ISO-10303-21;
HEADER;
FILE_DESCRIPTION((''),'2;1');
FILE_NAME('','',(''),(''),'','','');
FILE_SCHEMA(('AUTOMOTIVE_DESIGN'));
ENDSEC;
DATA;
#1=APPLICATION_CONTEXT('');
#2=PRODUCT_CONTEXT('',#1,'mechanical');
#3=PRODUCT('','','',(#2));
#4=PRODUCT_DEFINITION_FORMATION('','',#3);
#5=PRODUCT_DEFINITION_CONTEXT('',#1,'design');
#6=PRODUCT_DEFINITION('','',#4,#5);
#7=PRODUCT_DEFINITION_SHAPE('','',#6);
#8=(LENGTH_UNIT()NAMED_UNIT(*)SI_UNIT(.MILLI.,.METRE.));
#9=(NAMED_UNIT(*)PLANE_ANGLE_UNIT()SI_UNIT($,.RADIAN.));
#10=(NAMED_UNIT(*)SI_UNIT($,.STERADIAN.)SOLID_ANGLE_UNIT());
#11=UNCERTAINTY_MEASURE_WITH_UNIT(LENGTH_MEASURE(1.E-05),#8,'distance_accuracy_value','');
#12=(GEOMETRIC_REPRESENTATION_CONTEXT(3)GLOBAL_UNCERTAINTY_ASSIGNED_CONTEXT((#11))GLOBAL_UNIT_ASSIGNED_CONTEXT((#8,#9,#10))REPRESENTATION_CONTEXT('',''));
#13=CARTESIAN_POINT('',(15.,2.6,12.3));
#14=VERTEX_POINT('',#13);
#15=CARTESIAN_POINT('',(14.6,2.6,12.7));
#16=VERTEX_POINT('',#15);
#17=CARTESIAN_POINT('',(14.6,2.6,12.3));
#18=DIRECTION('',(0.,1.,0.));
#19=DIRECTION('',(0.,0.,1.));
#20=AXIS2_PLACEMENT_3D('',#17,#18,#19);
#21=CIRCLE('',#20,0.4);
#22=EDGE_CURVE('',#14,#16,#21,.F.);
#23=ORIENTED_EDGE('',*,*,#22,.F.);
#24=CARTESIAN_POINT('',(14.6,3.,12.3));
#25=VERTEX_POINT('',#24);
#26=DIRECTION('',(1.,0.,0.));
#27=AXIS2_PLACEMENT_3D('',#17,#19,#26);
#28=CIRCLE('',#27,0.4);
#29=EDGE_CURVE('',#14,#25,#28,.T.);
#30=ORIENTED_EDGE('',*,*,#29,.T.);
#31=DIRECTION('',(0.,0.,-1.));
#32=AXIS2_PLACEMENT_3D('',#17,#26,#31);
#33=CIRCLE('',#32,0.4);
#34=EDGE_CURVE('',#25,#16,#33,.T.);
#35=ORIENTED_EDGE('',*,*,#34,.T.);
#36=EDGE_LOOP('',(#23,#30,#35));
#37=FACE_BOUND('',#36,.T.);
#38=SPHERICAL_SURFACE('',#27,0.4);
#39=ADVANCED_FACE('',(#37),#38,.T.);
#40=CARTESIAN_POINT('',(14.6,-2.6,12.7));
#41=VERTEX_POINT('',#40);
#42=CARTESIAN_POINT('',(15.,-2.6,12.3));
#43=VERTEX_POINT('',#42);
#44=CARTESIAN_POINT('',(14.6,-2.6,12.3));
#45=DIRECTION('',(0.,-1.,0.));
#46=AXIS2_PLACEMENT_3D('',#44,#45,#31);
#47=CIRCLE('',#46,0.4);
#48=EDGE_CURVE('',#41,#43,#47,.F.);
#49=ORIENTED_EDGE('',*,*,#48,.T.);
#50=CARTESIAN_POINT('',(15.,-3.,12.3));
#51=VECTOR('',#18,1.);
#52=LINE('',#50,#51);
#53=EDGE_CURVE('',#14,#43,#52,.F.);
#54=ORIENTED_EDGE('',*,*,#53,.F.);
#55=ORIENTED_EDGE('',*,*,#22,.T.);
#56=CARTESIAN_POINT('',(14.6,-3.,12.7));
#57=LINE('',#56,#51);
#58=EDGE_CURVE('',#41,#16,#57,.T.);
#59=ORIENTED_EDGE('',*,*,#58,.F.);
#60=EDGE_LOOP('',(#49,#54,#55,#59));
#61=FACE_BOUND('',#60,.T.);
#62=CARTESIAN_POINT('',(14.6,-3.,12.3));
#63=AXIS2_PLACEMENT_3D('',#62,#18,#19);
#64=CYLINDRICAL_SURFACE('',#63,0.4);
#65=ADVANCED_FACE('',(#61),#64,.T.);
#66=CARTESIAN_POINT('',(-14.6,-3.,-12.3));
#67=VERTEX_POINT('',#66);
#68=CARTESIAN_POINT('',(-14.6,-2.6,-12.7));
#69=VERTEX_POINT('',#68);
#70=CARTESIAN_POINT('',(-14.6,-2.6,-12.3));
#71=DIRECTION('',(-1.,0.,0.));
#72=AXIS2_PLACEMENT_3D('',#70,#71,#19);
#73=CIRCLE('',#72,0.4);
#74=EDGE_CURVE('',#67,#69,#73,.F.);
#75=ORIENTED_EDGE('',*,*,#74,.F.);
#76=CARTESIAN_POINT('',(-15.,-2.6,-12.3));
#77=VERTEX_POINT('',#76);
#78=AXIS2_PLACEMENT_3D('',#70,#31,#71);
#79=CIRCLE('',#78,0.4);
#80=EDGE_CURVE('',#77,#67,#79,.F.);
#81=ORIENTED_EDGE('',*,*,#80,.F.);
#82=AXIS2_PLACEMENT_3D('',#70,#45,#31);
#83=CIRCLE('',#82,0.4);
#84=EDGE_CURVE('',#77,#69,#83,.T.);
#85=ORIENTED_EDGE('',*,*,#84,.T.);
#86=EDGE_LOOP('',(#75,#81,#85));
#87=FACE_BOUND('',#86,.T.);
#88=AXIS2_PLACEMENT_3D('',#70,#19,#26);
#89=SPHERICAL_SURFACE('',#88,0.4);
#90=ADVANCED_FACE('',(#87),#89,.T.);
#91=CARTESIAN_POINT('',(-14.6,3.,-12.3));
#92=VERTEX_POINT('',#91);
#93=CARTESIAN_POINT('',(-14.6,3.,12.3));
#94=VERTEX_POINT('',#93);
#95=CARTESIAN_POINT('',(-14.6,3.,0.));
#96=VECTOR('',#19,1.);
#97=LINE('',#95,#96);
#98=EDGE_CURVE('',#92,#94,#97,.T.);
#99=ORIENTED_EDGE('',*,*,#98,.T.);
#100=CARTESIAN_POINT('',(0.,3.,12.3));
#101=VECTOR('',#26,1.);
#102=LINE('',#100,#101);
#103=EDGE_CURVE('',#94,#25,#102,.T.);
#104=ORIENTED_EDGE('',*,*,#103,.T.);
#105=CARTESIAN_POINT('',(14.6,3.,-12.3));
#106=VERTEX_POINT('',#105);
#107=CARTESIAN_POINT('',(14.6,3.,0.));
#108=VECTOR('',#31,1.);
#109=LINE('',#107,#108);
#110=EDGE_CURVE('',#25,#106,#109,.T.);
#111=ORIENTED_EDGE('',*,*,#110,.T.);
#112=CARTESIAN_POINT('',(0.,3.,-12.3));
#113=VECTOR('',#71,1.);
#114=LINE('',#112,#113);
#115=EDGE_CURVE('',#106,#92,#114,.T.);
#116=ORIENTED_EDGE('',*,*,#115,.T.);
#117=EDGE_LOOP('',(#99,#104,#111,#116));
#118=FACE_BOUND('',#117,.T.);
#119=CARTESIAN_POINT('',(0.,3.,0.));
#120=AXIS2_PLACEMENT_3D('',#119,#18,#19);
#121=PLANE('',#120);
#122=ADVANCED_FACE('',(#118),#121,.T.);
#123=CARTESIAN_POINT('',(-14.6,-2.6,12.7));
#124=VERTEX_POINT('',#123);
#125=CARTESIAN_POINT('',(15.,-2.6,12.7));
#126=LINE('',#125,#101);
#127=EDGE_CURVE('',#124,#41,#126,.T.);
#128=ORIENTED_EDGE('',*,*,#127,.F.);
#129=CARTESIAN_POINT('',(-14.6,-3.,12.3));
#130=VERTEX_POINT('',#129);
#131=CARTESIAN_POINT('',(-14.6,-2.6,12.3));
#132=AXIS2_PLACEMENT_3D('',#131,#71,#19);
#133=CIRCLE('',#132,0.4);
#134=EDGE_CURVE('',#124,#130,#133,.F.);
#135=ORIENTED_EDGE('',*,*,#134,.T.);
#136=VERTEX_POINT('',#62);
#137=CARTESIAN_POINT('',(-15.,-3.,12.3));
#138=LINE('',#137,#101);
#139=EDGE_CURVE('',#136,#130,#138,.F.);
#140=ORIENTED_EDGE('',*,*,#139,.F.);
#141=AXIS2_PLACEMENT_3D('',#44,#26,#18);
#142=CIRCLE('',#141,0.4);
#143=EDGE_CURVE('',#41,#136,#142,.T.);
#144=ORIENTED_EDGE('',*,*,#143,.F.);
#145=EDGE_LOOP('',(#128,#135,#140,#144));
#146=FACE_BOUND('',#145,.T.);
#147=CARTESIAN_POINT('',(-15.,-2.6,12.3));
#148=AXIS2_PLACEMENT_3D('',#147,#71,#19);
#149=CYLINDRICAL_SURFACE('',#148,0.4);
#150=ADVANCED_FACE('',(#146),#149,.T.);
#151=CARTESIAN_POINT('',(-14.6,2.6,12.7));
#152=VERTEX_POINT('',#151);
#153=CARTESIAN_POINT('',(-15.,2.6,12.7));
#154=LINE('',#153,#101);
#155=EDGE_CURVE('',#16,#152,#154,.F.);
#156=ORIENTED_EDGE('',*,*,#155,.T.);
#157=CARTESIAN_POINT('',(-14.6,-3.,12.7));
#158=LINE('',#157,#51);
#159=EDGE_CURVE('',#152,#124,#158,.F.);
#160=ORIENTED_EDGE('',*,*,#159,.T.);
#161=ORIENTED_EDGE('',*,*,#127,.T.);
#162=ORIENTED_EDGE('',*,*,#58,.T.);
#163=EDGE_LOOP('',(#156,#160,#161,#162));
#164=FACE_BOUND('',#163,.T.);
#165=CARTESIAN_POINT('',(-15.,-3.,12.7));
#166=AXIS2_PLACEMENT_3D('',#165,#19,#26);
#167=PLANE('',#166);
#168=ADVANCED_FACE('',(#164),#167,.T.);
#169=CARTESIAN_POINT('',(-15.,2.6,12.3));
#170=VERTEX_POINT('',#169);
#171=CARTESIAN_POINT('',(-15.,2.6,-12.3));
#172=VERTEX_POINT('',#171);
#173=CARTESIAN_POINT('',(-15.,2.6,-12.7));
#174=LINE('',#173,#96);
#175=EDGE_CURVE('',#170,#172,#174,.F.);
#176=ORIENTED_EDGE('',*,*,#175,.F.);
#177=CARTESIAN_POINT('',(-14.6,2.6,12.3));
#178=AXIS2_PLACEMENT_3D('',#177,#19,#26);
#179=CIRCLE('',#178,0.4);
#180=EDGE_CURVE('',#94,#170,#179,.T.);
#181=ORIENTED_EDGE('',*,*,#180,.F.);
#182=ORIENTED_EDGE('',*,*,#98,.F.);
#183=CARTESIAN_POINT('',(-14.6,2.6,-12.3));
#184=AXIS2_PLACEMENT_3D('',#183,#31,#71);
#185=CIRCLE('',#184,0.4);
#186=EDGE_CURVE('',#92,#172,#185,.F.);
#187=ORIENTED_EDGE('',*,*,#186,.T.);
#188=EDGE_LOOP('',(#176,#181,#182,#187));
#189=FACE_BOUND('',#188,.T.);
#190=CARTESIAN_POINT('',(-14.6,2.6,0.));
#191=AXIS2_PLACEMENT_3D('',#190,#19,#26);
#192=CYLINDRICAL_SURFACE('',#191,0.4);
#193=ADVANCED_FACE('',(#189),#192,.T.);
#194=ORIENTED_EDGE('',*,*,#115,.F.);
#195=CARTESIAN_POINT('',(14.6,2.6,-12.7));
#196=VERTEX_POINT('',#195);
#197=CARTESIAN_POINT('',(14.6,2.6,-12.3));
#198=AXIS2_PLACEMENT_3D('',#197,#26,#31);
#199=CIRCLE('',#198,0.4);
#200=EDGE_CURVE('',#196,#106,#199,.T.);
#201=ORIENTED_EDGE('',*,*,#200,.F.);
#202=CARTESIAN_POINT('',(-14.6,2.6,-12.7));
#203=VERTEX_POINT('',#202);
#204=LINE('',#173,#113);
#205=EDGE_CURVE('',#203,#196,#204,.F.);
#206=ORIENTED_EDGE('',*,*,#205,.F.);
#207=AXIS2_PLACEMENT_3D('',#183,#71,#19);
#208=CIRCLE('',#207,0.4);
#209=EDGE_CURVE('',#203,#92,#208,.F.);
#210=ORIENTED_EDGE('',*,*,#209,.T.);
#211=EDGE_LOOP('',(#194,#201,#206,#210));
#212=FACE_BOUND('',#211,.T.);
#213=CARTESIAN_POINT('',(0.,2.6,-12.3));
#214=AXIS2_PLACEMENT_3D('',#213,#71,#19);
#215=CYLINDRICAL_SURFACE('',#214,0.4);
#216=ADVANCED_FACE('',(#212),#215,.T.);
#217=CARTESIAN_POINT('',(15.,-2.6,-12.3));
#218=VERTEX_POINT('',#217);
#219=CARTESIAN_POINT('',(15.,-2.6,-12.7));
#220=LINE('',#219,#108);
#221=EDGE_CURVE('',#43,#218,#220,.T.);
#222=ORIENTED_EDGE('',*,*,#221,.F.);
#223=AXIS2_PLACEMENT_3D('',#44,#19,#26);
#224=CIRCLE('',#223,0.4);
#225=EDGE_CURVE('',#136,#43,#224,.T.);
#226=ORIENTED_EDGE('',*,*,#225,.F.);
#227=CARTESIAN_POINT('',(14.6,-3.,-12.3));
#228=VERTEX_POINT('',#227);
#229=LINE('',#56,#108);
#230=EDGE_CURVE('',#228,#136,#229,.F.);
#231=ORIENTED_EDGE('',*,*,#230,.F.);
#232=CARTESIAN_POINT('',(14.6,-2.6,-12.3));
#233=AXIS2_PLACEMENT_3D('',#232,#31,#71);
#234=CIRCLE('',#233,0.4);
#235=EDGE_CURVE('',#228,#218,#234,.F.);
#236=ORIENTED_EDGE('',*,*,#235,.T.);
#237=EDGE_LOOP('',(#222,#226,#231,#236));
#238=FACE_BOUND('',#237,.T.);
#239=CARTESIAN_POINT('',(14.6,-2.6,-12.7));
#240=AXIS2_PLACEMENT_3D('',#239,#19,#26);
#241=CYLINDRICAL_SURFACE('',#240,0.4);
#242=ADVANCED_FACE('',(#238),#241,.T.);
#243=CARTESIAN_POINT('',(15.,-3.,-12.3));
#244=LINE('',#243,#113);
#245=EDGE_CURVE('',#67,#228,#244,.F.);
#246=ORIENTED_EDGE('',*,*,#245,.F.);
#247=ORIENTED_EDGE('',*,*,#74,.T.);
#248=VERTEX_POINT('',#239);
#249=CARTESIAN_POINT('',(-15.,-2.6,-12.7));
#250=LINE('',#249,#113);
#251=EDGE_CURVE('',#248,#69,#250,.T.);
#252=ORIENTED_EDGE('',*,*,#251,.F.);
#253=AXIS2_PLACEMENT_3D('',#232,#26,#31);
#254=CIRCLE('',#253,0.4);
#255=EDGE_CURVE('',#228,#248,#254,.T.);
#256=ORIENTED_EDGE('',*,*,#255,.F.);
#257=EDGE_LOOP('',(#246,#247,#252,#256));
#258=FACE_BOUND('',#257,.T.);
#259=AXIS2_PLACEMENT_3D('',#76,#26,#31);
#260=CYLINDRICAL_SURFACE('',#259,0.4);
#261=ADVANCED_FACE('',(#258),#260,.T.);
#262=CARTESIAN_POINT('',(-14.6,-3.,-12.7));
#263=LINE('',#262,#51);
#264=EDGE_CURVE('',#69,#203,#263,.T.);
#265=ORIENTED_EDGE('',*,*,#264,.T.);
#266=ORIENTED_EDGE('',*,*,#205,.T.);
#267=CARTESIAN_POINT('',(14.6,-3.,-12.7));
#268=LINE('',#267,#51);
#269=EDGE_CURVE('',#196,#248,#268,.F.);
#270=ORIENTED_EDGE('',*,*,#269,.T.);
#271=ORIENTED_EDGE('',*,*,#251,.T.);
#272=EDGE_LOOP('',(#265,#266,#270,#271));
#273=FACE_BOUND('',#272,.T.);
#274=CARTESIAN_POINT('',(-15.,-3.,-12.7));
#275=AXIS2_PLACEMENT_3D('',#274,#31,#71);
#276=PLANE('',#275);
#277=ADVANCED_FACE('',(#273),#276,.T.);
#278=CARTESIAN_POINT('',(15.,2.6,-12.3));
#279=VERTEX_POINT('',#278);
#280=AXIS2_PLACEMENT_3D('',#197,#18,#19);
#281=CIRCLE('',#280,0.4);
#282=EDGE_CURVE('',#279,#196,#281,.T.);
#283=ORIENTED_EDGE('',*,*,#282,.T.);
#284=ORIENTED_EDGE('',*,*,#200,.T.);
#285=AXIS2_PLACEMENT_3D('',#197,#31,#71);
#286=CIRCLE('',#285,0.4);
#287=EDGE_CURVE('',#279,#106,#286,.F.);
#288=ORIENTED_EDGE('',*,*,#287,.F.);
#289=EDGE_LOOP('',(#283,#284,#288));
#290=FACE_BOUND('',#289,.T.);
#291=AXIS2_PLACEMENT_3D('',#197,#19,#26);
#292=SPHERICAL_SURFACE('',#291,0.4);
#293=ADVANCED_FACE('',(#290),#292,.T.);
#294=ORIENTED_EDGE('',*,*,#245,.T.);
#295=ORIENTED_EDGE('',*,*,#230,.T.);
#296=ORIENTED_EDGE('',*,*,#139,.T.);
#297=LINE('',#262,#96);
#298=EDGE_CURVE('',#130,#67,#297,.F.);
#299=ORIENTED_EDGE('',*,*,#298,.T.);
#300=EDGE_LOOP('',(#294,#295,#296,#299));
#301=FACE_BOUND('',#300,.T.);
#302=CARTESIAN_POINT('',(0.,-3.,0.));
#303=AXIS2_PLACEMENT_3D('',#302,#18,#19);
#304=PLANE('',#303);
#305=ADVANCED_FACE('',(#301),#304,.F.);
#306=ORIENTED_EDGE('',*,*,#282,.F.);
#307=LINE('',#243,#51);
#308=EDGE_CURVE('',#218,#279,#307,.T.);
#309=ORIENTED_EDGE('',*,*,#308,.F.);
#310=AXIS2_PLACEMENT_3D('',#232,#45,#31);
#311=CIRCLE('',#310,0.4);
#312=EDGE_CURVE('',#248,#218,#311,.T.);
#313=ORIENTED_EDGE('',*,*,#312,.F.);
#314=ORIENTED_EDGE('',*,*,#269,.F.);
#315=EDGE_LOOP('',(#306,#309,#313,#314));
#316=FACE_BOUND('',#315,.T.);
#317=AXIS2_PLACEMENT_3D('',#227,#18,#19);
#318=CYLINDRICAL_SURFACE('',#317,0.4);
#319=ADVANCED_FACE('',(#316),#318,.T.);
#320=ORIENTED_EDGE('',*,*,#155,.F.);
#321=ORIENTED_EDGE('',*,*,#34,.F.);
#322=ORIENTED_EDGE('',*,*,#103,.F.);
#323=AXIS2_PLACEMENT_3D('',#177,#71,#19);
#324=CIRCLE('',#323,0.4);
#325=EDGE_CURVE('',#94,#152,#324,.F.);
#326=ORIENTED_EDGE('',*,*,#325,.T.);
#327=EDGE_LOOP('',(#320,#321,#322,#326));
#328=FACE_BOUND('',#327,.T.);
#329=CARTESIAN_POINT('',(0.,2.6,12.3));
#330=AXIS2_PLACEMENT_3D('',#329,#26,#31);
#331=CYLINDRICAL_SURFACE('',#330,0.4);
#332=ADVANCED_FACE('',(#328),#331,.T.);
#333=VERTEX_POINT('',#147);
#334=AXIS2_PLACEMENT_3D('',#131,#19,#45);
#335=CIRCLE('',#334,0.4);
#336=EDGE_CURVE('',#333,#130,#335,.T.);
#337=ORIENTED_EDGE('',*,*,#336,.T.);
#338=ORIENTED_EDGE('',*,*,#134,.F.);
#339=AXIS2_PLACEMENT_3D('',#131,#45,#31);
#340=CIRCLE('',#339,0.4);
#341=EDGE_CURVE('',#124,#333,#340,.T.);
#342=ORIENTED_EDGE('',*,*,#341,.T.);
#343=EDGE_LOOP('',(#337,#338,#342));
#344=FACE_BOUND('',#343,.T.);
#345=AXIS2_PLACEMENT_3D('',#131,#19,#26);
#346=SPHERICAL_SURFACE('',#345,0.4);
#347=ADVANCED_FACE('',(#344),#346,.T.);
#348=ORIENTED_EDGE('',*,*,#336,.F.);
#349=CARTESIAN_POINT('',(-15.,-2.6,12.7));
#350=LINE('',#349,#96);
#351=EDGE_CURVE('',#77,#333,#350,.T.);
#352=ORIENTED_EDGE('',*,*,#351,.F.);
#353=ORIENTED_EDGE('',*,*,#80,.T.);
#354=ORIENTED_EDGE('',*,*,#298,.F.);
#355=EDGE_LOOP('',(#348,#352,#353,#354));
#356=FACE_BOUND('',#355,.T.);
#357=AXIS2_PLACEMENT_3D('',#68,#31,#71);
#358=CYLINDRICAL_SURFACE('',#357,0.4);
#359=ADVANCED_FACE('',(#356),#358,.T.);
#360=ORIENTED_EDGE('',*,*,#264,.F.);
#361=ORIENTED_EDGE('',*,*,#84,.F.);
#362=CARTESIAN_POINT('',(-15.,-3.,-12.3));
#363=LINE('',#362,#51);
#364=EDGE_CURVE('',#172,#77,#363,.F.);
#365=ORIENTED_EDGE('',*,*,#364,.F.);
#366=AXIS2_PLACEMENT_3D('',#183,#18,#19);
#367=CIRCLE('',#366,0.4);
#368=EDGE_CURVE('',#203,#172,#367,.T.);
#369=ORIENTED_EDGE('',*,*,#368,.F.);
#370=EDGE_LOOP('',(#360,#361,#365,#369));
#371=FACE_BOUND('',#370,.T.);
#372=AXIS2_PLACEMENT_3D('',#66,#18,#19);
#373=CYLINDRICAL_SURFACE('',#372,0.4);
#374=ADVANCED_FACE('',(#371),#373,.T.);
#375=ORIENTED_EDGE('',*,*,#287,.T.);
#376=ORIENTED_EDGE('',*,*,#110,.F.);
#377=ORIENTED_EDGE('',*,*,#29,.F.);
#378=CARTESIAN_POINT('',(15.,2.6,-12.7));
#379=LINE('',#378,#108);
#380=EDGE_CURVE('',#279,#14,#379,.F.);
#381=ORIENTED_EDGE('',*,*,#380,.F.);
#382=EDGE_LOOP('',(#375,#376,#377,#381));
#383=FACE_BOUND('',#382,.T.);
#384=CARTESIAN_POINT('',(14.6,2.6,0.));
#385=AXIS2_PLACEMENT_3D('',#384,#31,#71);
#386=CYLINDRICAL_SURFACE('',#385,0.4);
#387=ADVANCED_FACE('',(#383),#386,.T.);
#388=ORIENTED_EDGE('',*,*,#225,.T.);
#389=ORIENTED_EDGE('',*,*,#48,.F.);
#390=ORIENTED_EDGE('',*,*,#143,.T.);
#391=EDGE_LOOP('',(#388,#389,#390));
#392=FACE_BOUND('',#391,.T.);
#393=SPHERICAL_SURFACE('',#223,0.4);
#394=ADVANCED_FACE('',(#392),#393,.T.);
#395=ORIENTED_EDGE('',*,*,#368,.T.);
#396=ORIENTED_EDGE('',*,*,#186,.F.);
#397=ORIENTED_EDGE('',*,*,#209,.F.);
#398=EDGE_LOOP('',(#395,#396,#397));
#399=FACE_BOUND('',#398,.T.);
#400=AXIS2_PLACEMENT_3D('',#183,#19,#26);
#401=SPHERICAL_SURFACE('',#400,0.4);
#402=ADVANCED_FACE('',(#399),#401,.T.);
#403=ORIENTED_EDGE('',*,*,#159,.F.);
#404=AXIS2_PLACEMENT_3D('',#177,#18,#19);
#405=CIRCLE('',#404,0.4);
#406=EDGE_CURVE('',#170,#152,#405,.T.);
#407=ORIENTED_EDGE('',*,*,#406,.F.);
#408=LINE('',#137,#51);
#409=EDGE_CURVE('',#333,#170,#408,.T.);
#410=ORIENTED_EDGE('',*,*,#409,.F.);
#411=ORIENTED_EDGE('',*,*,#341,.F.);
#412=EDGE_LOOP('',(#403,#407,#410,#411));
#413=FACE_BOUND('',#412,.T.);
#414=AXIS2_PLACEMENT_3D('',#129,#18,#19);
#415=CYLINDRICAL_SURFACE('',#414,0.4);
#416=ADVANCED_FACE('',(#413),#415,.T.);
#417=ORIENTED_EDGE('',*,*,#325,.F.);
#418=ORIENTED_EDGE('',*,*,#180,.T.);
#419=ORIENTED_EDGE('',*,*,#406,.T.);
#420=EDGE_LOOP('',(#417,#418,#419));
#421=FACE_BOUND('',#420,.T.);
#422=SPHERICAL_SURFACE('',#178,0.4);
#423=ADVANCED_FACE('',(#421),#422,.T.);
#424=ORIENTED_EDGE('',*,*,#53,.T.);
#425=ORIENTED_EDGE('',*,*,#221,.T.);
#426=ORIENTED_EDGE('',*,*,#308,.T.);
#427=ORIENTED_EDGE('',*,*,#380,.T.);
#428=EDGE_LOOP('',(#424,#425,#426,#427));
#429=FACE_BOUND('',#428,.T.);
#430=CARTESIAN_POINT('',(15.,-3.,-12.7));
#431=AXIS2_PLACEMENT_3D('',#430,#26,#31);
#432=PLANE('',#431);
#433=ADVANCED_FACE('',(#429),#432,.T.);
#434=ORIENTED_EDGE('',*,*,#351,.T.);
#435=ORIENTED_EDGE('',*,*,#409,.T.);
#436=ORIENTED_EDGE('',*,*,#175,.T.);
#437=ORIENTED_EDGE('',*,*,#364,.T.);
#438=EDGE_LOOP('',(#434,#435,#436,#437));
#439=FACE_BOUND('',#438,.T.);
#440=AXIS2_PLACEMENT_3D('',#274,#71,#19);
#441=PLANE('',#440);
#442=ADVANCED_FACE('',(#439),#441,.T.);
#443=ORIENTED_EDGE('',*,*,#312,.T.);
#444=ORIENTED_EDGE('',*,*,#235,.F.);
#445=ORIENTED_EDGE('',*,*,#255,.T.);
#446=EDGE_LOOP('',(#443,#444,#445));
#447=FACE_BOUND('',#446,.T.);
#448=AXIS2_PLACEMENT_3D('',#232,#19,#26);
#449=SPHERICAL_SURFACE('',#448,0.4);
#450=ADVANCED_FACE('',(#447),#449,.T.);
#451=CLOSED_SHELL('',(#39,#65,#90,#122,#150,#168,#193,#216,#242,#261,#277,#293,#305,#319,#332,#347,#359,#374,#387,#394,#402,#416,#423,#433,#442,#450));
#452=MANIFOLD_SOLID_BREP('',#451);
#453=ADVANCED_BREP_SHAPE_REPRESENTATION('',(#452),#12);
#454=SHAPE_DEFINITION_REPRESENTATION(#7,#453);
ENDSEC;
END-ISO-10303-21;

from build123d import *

# Parameters (mm, degrees)
BOSS_EXTRUDE1_DEPTH      = 3
BOSS_EXTRUDE1_DEPTH_BACK = 3
SKETCH1_W                = 30
SKETCH1_H                = 25.4
FILLET1_R                = 0.4


with BuildPart() as part:
    # Sketch1 → Boss-Extrude1 (new, two sides: drawn at the far end of the back side and taken through both)
    with BuildSketch(Plane(origin=(0, 0, 0), x_dir=(1, 0, 0), z_dir=(0, 1, 0)).offset(-BOSS_EXTRUDE1_DEPTH_BACK)):
        Rectangle(SKETCH1_W, SKETCH1_H)
    extrude(amount=BOSS_EXTRUDE1_DEPTH + BOSS_EXTRUDE1_DEPTH_BACK)

    # Fillet1
    fillet1_edges = [part.edges().sort_by_distance(p)[0] for p in [
        (-15, 3, 0),
        (15, -3, 0),
        (0, 3, 12.7),
        (15, 3, 0),
        (0, 3, -12.7),
        (0, -3, -12.7),
        (-15, -3, 0),
        (-15, 0, -12.7),
        (15, 0, -12.7),
        (15, 0, 12.7),
        (-15, 0, 12.7),
        (0, -3, 12.7),
    ]]
    fillet(fillet1_edges, radius=FILLET1_R)


solid = part.part
